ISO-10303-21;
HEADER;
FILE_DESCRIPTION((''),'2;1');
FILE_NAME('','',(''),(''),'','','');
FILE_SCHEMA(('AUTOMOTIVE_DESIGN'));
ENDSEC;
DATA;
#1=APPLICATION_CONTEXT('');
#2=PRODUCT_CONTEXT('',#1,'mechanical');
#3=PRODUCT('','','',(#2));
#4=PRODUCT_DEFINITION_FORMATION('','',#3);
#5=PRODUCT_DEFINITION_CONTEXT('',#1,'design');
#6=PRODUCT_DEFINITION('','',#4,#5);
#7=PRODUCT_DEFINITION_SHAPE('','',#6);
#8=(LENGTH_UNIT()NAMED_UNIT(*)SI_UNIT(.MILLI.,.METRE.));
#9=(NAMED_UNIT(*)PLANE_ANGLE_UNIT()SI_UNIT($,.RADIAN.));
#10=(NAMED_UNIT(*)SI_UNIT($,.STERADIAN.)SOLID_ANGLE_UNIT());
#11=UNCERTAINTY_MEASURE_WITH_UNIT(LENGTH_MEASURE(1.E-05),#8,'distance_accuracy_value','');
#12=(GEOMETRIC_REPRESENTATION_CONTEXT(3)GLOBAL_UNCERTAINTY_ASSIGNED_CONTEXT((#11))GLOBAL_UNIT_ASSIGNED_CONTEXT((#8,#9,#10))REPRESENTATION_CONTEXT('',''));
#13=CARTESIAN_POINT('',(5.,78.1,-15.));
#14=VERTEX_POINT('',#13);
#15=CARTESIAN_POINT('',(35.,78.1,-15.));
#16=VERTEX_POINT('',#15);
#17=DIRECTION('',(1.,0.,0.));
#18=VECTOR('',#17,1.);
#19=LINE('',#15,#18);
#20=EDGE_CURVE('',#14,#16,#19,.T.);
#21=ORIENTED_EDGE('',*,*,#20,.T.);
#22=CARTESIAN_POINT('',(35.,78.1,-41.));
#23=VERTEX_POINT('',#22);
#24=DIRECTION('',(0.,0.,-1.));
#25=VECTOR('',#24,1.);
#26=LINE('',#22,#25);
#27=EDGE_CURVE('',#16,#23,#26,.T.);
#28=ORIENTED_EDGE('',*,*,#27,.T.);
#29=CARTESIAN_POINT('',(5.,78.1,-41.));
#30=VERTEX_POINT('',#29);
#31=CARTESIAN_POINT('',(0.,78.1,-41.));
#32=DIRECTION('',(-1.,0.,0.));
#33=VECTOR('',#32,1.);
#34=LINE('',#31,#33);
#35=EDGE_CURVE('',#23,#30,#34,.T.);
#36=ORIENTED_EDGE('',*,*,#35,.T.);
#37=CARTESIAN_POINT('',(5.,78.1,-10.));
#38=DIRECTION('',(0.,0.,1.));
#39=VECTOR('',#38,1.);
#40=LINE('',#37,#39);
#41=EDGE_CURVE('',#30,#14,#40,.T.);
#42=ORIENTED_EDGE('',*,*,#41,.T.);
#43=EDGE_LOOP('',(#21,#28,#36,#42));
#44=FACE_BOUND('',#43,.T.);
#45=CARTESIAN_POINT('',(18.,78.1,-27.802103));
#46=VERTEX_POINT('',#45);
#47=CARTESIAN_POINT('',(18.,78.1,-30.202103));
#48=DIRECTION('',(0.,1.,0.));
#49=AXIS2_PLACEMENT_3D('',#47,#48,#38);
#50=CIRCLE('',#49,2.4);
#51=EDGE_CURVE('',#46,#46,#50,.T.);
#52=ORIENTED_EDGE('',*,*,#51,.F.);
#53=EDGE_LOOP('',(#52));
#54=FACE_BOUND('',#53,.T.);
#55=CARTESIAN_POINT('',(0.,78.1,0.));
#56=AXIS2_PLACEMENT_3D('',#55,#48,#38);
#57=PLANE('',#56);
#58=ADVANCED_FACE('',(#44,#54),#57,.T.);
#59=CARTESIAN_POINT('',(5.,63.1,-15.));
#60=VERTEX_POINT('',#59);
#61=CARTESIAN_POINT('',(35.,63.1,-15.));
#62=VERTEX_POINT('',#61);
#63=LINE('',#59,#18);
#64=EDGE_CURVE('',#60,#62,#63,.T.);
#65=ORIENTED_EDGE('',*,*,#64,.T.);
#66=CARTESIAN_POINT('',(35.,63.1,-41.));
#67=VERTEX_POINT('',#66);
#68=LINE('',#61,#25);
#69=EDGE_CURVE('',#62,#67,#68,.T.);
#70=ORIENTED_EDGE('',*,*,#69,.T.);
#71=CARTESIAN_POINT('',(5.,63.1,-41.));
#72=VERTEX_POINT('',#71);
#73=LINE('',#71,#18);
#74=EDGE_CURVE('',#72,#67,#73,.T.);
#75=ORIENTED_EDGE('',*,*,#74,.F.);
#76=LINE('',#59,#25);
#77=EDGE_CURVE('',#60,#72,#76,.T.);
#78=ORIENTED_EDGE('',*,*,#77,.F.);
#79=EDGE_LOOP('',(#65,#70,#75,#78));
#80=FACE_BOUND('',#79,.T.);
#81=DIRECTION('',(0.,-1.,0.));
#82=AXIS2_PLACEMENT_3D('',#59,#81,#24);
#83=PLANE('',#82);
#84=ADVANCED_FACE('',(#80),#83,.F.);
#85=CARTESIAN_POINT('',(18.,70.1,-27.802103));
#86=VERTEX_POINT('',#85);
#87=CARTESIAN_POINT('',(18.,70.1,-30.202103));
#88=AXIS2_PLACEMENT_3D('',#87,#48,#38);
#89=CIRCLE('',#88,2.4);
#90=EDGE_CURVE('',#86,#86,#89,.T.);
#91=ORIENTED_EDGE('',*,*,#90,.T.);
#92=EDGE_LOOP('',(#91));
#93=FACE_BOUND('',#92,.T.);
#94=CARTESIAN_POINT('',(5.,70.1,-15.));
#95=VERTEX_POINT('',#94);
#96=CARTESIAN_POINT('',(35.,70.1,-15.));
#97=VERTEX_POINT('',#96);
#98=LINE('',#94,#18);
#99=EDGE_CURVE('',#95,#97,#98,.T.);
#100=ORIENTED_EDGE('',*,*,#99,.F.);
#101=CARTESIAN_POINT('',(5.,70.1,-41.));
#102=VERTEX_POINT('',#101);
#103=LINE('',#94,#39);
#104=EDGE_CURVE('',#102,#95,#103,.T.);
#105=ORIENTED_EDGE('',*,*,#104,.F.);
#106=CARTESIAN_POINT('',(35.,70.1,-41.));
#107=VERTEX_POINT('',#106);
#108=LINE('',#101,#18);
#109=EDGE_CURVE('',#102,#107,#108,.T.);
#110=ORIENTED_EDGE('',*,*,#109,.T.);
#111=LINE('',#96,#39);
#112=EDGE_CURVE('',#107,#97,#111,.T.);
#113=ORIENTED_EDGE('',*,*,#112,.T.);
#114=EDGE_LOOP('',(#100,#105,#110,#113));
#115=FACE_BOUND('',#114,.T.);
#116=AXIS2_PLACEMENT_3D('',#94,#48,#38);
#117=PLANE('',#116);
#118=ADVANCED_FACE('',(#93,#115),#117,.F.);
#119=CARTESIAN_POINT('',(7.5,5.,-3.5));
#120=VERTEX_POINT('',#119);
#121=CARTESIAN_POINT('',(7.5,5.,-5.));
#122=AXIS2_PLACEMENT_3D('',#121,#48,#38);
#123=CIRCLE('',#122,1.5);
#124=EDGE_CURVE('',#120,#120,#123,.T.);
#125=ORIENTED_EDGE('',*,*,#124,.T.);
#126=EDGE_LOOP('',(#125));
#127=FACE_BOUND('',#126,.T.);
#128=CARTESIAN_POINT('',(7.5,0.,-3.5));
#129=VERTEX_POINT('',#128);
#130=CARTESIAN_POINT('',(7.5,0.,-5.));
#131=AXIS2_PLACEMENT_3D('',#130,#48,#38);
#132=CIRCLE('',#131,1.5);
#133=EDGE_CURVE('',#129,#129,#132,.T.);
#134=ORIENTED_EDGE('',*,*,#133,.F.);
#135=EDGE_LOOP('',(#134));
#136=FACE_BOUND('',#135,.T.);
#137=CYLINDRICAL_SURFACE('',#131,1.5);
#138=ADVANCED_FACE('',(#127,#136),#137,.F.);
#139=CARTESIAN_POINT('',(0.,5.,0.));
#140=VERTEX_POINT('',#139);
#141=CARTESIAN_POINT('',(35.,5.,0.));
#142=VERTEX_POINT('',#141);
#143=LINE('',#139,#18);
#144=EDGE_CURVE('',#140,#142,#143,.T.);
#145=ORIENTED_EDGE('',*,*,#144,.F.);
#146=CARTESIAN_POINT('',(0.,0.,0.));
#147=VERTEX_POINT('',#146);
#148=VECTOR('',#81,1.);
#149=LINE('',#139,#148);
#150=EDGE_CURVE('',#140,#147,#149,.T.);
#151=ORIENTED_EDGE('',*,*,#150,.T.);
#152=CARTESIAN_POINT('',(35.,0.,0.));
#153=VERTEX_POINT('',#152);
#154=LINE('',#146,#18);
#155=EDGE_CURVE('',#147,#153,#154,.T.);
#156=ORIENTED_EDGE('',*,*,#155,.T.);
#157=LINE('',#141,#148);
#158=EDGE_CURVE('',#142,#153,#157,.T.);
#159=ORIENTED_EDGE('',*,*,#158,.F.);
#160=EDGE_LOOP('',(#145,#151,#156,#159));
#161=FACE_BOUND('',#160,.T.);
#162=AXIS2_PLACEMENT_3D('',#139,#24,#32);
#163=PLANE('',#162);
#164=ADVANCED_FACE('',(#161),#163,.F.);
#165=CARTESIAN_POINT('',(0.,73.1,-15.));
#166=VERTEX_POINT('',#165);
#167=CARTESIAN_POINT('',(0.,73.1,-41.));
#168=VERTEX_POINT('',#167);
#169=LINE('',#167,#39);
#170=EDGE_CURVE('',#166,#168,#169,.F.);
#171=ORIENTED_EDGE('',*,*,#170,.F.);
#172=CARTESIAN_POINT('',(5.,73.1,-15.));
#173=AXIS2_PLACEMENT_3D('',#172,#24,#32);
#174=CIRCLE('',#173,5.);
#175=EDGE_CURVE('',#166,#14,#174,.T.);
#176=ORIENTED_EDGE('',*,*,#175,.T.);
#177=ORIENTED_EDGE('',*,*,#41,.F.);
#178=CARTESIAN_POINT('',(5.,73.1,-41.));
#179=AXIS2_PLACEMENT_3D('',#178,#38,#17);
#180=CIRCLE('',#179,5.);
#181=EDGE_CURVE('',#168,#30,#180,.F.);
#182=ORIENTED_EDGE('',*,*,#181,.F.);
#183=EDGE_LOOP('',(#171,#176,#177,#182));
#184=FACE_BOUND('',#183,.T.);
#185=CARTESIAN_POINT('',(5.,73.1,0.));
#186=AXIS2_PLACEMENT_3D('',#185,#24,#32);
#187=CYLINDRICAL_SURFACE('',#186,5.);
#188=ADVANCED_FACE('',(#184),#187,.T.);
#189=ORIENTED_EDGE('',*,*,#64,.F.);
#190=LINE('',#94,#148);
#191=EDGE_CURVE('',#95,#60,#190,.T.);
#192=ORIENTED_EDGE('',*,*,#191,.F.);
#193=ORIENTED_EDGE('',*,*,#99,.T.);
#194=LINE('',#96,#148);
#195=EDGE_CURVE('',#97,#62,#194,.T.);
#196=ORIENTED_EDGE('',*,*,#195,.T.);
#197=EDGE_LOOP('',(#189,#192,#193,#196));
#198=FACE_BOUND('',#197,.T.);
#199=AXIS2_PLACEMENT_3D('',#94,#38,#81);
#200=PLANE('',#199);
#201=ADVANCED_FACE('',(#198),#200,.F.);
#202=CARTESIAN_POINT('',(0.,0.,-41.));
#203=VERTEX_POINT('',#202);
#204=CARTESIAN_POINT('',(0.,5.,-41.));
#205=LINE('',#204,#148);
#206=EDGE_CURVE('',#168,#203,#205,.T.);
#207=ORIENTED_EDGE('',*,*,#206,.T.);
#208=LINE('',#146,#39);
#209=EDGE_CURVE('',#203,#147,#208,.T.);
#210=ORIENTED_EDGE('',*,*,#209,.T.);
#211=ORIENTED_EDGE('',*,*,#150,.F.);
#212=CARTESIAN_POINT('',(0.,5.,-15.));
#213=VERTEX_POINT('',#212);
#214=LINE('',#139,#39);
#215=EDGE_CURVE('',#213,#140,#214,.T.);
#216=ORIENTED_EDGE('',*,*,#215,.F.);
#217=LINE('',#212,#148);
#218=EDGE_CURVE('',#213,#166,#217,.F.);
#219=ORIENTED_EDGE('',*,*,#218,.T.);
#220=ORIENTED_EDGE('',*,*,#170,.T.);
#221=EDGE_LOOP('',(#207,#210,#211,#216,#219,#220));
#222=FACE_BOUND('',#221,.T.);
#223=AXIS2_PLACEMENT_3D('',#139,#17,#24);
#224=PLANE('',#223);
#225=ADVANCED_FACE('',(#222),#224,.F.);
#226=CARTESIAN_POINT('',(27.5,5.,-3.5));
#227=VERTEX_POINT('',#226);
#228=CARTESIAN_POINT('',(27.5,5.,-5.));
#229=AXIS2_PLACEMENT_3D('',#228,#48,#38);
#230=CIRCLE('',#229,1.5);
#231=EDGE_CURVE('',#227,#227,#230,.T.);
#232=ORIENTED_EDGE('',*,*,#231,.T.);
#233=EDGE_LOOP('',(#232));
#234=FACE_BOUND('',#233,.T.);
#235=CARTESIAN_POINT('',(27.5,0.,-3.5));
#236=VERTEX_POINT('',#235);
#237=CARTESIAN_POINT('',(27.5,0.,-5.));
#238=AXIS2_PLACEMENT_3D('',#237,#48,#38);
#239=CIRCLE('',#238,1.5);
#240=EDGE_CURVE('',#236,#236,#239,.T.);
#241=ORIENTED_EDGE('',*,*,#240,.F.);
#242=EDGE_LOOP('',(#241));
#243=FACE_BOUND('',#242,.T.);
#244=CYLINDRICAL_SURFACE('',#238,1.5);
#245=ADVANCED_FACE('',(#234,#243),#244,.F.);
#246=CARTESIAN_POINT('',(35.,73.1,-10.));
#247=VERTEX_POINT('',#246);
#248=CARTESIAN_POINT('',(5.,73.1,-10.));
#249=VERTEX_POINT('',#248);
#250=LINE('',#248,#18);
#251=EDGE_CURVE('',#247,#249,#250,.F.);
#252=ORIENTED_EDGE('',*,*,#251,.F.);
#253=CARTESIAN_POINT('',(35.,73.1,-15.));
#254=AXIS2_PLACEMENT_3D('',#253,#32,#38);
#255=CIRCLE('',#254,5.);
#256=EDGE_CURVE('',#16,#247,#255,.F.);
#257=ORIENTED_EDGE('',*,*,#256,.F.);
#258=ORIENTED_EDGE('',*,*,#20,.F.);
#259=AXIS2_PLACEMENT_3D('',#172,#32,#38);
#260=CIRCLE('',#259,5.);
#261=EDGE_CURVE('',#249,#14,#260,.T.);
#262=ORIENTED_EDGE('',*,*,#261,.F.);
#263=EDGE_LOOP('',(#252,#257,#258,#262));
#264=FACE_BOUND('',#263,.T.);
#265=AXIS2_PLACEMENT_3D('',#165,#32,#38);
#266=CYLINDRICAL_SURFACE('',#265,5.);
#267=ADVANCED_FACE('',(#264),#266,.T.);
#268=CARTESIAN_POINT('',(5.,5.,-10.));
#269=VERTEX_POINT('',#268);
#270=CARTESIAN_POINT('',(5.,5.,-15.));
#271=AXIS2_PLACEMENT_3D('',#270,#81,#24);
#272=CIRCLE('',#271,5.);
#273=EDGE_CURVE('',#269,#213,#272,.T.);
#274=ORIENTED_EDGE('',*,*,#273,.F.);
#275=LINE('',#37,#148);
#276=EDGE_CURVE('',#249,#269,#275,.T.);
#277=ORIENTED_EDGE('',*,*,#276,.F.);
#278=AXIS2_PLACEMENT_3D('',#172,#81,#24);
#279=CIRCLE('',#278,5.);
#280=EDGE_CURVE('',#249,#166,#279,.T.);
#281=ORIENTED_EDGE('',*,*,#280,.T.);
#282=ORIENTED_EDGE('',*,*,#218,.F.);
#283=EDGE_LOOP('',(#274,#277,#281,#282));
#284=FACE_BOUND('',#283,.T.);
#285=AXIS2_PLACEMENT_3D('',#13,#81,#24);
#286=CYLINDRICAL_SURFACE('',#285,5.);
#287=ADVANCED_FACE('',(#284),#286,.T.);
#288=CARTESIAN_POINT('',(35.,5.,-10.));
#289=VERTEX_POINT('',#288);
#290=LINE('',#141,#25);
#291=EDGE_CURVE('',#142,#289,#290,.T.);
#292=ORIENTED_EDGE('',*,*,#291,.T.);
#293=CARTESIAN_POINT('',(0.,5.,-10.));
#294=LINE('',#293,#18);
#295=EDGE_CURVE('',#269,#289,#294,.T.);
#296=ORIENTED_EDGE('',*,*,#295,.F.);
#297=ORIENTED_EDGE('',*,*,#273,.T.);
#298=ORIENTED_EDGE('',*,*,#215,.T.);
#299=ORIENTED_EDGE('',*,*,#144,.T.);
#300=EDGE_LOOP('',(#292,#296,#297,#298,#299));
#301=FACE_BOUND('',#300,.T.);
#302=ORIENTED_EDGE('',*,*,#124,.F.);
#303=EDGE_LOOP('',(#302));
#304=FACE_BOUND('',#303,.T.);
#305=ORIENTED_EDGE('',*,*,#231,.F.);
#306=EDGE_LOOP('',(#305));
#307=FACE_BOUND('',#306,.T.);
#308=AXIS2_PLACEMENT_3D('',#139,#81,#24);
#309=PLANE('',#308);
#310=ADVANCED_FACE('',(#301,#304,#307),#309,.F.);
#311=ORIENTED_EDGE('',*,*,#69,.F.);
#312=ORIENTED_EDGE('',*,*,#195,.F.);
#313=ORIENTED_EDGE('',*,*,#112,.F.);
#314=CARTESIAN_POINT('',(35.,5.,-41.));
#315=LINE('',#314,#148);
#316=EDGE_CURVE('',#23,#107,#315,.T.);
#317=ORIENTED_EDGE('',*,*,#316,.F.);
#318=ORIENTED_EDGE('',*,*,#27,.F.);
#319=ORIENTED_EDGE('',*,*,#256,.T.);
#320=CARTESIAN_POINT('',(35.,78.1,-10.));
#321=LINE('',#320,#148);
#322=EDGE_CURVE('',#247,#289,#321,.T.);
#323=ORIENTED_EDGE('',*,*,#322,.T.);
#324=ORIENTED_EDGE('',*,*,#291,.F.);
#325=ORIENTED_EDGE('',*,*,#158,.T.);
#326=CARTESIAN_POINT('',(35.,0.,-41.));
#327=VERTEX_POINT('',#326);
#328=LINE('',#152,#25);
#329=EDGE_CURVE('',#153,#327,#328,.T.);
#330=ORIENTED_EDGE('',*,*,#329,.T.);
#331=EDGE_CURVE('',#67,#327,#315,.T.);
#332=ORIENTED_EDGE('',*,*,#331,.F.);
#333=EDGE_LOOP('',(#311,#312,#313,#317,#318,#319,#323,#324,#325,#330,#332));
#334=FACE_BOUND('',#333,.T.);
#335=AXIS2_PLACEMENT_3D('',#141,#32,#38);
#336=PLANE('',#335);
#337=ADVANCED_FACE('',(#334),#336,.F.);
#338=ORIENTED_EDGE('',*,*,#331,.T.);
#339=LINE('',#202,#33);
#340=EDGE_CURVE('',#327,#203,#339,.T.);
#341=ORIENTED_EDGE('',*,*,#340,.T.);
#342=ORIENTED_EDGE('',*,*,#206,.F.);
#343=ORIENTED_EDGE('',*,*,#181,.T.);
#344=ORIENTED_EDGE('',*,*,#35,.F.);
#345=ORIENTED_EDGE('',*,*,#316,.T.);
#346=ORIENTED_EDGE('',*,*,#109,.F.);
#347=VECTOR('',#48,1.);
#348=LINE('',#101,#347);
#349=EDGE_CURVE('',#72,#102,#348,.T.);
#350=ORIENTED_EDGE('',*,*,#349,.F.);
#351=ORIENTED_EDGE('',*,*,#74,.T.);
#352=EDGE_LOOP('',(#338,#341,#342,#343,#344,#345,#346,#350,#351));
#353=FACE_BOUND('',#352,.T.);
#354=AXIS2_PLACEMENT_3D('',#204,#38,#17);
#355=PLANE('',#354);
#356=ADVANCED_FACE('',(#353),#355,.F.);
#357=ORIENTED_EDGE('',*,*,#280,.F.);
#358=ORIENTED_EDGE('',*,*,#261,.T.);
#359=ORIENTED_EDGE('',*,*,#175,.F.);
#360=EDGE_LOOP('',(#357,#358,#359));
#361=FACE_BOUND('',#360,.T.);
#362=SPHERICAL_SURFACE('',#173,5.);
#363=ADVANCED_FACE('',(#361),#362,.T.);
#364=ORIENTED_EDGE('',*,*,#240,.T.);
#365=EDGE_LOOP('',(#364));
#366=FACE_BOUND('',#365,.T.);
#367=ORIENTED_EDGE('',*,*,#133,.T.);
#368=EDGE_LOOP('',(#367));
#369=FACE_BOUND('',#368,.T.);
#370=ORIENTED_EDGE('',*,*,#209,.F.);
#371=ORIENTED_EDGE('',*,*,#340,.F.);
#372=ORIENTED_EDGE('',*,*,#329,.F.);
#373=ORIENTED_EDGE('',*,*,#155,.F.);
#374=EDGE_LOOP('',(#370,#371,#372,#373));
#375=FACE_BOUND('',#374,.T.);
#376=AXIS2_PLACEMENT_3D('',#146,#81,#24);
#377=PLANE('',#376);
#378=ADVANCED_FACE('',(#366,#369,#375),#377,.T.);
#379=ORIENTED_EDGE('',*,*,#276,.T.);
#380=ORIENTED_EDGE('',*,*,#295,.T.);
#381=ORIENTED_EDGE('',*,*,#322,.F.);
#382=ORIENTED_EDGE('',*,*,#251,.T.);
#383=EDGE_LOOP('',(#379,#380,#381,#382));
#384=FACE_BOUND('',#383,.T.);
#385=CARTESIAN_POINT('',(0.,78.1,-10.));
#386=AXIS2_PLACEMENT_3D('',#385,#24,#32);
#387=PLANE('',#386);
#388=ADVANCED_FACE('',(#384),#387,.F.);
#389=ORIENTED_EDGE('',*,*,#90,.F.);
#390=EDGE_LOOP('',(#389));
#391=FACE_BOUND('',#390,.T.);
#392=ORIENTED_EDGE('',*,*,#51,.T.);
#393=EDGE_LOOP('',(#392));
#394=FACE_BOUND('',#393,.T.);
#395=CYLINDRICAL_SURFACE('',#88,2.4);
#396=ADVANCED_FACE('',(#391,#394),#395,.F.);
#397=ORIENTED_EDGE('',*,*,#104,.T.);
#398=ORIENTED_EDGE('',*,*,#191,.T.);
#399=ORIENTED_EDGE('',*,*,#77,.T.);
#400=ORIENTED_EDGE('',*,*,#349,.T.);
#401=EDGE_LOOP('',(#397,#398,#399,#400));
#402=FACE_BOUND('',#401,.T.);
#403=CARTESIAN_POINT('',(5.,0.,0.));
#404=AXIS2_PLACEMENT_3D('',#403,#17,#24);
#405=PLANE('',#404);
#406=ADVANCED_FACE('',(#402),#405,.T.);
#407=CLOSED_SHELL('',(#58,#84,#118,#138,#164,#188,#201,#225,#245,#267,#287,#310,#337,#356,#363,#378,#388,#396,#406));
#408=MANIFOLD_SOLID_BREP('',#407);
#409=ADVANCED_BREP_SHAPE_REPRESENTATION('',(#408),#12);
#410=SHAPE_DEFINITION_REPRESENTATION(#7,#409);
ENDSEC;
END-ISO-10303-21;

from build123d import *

# Parameters (mm, degrees)
SKETCH1_W           = 35
SKETCH1_H           = 41
BOSS_EXTRUDE1_DEPTH = 5
SKETCH2_R           = 1.5
CUT_EXTRUDE1_DEPTH  = 5
SKETCH3_W           = 35
SKETCH3_H           = 31
BOSS_EXTRUDE2_DEPTH = 73.1
SKETCH4_W           = 26
SKETCH4_H           = 7
CUT_EXTRUDE2_DEPTH  = 30
SKETCH5_R           = 2.4
CUT_EXTRUDE3_DEPTH  = 8
FILLET1_R           = 5
FILLET2_R           = 5


with BuildPart() as part:
    # Sketch1 → Boss-Extrude1 (new body)
    with BuildSketch(Plane(origin=(0, 0, 0), x_dir=(1, 0, 0), z_dir=(0, 1, 0))):
        with Locations((17.5, 20.5)):
            Rectangle(SKETCH1_W, SKETCH1_H)
    extrude(amount=BOSS_EXTRUDE1_DEPTH)

    # Sketch2 → Cut-Extrude1 (cut)
    with BuildSketch(Plane(origin=(0, 5, 0), x_dir=(1, 0, 0), z_dir=(0, 1, 0))):
        with Locations(Location((7.5, 5, 0), (0, 0, 270))):
            Circle(SKETCH2_R)
        with Locations(Location((27.5, 5, 0), (0, 0, 270))):
            Circle(SKETCH2_R)
    extrude(amount=-CUT_EXTRUDE1_DEPTH, mode=Mode.SUBTRACT)

    # Sketch3 → Boss-Extrude2 (add)
    with BuildSketch(Plane(origin=(0, 5, 0), x_dir=(1, 0, 0), z_dir=(0, 1, 0))):
        with Locations((17.5, 25.5)):
            Rectangle(SKETCH3_W, SKETCH3_H)
    extrude(amount=BOSS_EXTRUDE2_DEPTH)

    # Sketch4 → Cut-Extrude2 (cut)
    with BuildSketch(Plane(origin=(35, 0, 0), x_dir=(0, 0, -1), z_dir=(1, 0, 0))):
        with Locations((28, 66.6)):
            Rectangle(SKETCH4_W, SKETCH4_H)
    extrude(amount=-CUT_EXTRUDE2_DEPTH, mode=Mode.SUBTRACT)

    # Sketch5 → Cut-Extrude3 (cut)
    with BuildSketch(Plane(origin=(0, 78.1, 0), x_dir=(1, 0, 0), z_dir=(0, 1, 0))):
        with Locations(Location((18, 30.202102686, 0), (0, 0, 270))):
            Circle(SKETCH5_R)
    extrude(amount=-CUT_EXTRUDE3_DEPTH, mode=Mode.SUBTRACT)

    # Fillet1
    fillet1_edges = [part.edges().sort_by_distance(p)[0] for p in [
        (0, 78.1, -25.5),
    ]]
    fillet(fillet1_edges, radius=FILLET1_R)

    # Fillet2
    fillet2_edges = [part.edges().sort_by_distance(p)[0] for p in [
        (20, 78.1, -10),
        (0, 39.05, -10),
        (1.464466094, 76.635533906, -10),
    ]]
    fillet(fillet2_edges, radius=FILLET2_R)


solid = part.part
